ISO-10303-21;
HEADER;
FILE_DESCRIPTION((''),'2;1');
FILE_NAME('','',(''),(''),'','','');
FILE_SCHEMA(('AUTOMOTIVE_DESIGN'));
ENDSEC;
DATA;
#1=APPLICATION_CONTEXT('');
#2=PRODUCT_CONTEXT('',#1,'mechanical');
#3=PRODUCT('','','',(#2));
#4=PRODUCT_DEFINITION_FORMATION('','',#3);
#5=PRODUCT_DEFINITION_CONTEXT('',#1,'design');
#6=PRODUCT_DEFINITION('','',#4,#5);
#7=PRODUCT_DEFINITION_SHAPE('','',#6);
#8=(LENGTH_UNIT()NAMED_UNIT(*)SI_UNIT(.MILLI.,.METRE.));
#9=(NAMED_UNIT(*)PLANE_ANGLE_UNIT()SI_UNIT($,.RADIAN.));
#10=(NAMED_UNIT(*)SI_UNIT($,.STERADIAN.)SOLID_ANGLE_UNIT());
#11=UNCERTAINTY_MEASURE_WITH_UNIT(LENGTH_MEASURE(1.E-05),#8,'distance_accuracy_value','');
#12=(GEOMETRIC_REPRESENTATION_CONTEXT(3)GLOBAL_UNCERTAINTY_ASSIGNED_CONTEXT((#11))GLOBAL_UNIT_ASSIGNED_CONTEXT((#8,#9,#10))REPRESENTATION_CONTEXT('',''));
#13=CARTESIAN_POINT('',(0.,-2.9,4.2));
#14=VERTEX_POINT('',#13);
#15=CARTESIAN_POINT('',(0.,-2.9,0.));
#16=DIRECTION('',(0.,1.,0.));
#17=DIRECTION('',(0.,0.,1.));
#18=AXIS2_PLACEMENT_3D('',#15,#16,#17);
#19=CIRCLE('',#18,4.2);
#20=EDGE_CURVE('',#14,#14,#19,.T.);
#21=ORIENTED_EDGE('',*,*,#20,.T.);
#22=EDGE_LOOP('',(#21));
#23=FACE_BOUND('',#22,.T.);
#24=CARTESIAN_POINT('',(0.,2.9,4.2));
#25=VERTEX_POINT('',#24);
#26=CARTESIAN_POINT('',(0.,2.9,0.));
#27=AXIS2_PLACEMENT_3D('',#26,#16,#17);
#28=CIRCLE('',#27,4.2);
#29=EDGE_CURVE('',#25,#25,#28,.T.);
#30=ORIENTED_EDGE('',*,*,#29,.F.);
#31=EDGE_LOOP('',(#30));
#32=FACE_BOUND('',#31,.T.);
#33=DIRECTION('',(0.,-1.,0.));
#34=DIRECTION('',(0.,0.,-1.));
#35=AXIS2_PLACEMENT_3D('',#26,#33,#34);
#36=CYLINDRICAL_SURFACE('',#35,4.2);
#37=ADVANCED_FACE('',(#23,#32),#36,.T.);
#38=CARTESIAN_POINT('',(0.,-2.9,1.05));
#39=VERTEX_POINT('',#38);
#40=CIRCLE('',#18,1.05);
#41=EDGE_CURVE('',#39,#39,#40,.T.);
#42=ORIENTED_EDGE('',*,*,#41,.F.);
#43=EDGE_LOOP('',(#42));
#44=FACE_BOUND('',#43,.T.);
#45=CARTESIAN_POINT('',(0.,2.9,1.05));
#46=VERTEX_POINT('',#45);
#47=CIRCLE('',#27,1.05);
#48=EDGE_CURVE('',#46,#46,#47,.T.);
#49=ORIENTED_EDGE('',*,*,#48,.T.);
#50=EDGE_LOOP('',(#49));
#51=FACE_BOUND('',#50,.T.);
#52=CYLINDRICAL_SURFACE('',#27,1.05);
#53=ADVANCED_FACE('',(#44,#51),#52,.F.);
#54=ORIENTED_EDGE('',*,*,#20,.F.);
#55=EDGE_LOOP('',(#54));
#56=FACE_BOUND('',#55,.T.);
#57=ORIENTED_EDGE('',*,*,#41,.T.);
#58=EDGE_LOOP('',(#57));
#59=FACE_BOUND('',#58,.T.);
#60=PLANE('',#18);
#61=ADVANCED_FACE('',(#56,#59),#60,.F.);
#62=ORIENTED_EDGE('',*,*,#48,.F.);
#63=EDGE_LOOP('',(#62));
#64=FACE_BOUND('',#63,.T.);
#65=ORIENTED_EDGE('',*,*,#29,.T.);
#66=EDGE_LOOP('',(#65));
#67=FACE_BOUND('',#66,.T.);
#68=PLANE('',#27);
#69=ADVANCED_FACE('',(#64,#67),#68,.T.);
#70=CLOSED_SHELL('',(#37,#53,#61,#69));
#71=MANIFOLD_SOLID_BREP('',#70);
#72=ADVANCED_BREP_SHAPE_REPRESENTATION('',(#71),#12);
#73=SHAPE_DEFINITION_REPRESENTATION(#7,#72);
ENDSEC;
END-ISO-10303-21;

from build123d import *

# Parameters (mm, degrees)
SKETCH1_R             = 4.2
BOSS_EXTRUDE1_DEPTH   = 2.9
M3X0_5_TAPPED_HOLE1_D = 2.1


with BuildPart() as part:
    # Sketch1 → Boss-Extrude1 (new body, symmetric)
    with BuildSketch(Plane(origin=(0, 0, 0), x_dir=(1, 0, 0), z_dir=(0, 1, 0))):
        Circle(SKETCH1_R)
    extrude(amount=BOSS_EXTRUDE1_DEPTH, both=True)

    # M3x0.5 Tapped Hole1 (through all)
    with Locations(Plane(origin=(0, 2.9, 0), x_dir=(1, 0, 0), z_dir=(0, 1, 0))):
        with Locations((0, 0)):
            Hole(M3X0_5_TAPPED_HOLE1_D / 2)


solid = part.part
